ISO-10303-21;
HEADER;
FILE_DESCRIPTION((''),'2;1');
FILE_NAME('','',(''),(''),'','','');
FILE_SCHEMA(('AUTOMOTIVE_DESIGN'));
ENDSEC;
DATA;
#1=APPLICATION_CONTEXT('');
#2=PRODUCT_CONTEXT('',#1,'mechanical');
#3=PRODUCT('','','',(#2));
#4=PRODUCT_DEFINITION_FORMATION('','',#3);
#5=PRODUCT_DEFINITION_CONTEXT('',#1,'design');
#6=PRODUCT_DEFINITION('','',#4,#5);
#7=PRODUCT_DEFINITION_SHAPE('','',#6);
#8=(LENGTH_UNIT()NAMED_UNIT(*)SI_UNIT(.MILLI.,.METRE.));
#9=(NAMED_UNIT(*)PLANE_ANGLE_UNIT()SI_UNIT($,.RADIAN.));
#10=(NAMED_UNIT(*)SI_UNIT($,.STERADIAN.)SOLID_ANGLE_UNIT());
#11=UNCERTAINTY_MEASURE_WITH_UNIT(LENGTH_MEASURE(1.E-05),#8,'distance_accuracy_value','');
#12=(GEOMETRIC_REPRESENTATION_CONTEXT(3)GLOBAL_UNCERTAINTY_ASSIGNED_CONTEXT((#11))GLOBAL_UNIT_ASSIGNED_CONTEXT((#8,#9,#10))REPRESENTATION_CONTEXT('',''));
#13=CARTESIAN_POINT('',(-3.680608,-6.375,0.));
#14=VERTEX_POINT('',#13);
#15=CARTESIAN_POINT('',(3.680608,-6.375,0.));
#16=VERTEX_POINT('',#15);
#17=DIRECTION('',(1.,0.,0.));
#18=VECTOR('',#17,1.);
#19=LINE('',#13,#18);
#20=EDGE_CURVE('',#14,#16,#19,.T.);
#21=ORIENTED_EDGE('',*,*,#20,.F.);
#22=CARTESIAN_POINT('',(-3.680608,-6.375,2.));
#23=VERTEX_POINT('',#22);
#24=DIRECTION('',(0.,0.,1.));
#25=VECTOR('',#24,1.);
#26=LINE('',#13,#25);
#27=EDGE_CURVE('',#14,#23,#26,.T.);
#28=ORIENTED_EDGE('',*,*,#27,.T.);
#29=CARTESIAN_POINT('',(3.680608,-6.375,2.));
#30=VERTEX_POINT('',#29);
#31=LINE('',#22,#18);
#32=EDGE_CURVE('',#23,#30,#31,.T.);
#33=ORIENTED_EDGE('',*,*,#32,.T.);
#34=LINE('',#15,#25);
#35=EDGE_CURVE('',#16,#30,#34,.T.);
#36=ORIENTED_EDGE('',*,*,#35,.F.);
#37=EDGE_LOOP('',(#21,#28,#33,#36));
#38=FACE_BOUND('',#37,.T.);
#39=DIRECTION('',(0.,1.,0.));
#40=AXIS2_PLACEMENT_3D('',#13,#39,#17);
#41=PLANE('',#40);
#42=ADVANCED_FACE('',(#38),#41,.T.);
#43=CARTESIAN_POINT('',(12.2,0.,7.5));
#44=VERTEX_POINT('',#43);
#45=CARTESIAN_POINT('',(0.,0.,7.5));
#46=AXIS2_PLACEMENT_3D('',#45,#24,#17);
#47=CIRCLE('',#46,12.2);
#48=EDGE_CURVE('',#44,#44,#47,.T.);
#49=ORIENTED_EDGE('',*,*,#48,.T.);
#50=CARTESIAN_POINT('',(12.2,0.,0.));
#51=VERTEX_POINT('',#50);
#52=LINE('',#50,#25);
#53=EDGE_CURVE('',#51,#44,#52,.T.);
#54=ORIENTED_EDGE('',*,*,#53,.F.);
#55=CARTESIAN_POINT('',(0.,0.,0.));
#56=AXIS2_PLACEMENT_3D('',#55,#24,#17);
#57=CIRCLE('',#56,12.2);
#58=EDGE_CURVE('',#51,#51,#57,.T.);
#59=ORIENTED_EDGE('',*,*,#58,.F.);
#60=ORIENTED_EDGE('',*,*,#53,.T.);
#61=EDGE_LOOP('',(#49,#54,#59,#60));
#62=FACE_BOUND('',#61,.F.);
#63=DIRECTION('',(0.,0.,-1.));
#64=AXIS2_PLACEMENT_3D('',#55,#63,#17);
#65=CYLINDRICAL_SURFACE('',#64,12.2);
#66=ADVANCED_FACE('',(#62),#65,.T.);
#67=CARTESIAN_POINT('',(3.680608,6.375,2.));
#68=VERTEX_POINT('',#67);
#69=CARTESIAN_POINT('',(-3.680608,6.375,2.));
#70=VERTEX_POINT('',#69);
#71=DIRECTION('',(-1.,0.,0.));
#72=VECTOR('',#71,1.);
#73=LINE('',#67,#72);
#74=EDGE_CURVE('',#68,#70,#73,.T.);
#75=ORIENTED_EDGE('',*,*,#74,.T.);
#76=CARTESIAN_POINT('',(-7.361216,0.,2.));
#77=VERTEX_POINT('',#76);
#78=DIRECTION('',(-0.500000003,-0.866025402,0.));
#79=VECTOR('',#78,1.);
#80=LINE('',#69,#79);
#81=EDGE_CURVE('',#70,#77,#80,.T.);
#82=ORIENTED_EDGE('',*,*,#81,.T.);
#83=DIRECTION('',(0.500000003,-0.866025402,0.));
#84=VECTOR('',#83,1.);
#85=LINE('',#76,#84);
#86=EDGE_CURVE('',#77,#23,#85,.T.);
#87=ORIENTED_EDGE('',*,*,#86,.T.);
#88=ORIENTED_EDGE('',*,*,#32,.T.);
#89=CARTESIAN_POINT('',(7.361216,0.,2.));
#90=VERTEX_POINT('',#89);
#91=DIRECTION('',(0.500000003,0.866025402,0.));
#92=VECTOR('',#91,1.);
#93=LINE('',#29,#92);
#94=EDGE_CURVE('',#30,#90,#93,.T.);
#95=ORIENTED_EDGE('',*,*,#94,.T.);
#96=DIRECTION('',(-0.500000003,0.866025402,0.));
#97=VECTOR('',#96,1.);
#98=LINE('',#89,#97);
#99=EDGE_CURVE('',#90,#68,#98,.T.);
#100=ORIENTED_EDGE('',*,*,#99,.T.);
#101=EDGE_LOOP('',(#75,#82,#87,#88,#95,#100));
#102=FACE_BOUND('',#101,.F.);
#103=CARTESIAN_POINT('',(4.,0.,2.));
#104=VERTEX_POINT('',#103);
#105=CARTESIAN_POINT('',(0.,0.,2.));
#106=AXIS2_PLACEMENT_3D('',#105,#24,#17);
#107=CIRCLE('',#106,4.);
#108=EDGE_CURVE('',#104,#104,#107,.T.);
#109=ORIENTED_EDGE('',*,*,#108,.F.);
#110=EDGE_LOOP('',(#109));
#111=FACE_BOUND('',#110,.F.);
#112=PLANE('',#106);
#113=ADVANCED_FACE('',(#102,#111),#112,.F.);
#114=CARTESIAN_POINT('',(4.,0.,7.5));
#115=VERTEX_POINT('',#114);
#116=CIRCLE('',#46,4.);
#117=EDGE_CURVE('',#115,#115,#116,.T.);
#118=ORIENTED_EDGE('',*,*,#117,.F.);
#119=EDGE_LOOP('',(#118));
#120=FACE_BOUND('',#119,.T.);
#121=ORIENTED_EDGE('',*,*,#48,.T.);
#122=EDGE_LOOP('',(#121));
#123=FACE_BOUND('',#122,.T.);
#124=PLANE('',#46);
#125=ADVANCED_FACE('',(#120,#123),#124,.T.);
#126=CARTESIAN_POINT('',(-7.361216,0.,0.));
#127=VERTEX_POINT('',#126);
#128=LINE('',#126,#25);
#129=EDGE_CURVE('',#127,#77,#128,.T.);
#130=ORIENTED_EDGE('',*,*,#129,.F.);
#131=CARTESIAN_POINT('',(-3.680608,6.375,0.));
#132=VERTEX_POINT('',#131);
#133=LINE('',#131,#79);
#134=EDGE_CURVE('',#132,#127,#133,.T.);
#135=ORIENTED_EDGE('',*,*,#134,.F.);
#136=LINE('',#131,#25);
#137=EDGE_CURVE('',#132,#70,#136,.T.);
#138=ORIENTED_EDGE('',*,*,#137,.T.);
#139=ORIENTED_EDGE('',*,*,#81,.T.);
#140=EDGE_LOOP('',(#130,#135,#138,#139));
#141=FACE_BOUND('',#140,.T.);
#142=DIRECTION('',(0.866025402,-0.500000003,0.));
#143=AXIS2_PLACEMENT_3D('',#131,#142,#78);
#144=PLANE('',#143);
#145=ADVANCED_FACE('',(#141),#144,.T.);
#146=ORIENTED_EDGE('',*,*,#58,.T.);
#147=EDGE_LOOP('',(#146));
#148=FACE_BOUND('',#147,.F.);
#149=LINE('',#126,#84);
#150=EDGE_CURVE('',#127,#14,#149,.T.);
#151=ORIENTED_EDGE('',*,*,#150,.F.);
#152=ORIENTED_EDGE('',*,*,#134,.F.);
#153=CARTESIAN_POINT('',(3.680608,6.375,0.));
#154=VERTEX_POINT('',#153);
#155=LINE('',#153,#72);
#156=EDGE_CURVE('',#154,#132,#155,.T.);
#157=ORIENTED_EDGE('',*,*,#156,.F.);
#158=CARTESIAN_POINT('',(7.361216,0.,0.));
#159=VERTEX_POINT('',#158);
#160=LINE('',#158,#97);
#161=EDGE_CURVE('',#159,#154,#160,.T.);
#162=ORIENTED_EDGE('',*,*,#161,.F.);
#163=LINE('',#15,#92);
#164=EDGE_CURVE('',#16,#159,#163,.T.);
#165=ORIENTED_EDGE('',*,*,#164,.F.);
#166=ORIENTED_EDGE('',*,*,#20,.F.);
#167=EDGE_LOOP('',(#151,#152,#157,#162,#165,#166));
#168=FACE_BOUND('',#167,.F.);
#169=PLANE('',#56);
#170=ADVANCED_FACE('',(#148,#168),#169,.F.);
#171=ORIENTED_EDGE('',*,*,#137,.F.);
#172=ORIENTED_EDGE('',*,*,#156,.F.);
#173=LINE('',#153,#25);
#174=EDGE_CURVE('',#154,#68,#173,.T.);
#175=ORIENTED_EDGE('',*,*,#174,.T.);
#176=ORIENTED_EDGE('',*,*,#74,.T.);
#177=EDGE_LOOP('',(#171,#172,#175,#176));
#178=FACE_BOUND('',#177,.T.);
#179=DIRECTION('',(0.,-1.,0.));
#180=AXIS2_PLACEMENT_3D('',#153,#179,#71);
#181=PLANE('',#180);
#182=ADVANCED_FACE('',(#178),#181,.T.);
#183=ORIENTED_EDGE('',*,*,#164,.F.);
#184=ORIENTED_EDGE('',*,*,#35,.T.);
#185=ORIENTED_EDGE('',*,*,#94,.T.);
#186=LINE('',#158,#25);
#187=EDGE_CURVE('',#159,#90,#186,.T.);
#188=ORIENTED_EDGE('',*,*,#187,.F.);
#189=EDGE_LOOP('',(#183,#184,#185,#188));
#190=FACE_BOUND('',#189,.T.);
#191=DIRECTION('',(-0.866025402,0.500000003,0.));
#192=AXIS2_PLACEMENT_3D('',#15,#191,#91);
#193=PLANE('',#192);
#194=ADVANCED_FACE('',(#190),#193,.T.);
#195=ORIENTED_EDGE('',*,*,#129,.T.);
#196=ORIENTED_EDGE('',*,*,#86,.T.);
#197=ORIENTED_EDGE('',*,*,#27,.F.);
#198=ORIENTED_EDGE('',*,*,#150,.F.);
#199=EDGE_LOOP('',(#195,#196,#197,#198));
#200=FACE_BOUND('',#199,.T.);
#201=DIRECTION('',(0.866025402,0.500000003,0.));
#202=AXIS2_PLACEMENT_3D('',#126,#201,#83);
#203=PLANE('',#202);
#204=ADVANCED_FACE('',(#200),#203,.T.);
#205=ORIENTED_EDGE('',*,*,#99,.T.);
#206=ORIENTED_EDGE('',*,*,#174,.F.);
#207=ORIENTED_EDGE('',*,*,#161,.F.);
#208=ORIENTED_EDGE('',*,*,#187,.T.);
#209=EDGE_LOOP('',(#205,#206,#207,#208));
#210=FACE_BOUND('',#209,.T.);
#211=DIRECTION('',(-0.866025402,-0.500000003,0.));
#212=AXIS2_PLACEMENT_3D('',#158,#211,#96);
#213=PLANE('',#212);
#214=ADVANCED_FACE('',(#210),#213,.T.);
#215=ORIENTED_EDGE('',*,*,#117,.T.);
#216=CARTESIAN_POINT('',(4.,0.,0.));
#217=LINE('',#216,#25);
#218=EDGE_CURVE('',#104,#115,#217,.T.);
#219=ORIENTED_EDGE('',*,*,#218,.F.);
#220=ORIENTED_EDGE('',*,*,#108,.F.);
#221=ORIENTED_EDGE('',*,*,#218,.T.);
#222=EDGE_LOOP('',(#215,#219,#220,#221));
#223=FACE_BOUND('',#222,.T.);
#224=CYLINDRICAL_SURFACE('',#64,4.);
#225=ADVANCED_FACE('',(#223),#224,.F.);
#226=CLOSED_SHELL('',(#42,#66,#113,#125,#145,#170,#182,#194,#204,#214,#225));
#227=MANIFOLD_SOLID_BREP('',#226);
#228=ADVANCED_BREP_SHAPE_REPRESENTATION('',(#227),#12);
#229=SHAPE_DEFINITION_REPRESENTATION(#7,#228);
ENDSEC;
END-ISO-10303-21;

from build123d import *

# Parameters (mm, degrees)
F0_R     = 12.2
F0_R_2   = 4
F1_DEPTH = 7.5
F2_DEPTH = 2


with BuildPart() as f1:
    # F0 (on Top) → F1 (new body)
    with BuildSketch(Plane.XY):
        Circle(F0_R)
        Polygon((7.361216, 0), (3.680608, -6.375), (-3.680608, -6.375), (-7.361216, 0), (-3.680608, 6.375), (3.680608, 6.375), align=None, mode=Mode.SUBTRACT)
        Polygon((-3.680608, -6.375), (3.680608, -6.375), (7.361216, 0), (3.680608, 6.375), (-3.680608, 6.375), (-7.361216, 0), align=None)
        Circle(F0_R_2, mode=Mode.SUBTRACT)
    extrude(amount=F1_DEPTH)

    # F0 (on Top) → F2 (cut)
    with BuildSketch(Plane.XY):
        Circle(F0_R_2)
        Polygon((-3.680608, -6.375), (3.680608, -6.375), (7.361216, 0), (3.680608, 6.375), (-3.680608, 6.375), (-7.361216, 0), align=None)
        Circle(F0_R_2, mode=Mode.SUBTRACT)
    extrude(amount=F2_DEPTH, mode=Mode.SUBTRACT)


solid = f1.part
